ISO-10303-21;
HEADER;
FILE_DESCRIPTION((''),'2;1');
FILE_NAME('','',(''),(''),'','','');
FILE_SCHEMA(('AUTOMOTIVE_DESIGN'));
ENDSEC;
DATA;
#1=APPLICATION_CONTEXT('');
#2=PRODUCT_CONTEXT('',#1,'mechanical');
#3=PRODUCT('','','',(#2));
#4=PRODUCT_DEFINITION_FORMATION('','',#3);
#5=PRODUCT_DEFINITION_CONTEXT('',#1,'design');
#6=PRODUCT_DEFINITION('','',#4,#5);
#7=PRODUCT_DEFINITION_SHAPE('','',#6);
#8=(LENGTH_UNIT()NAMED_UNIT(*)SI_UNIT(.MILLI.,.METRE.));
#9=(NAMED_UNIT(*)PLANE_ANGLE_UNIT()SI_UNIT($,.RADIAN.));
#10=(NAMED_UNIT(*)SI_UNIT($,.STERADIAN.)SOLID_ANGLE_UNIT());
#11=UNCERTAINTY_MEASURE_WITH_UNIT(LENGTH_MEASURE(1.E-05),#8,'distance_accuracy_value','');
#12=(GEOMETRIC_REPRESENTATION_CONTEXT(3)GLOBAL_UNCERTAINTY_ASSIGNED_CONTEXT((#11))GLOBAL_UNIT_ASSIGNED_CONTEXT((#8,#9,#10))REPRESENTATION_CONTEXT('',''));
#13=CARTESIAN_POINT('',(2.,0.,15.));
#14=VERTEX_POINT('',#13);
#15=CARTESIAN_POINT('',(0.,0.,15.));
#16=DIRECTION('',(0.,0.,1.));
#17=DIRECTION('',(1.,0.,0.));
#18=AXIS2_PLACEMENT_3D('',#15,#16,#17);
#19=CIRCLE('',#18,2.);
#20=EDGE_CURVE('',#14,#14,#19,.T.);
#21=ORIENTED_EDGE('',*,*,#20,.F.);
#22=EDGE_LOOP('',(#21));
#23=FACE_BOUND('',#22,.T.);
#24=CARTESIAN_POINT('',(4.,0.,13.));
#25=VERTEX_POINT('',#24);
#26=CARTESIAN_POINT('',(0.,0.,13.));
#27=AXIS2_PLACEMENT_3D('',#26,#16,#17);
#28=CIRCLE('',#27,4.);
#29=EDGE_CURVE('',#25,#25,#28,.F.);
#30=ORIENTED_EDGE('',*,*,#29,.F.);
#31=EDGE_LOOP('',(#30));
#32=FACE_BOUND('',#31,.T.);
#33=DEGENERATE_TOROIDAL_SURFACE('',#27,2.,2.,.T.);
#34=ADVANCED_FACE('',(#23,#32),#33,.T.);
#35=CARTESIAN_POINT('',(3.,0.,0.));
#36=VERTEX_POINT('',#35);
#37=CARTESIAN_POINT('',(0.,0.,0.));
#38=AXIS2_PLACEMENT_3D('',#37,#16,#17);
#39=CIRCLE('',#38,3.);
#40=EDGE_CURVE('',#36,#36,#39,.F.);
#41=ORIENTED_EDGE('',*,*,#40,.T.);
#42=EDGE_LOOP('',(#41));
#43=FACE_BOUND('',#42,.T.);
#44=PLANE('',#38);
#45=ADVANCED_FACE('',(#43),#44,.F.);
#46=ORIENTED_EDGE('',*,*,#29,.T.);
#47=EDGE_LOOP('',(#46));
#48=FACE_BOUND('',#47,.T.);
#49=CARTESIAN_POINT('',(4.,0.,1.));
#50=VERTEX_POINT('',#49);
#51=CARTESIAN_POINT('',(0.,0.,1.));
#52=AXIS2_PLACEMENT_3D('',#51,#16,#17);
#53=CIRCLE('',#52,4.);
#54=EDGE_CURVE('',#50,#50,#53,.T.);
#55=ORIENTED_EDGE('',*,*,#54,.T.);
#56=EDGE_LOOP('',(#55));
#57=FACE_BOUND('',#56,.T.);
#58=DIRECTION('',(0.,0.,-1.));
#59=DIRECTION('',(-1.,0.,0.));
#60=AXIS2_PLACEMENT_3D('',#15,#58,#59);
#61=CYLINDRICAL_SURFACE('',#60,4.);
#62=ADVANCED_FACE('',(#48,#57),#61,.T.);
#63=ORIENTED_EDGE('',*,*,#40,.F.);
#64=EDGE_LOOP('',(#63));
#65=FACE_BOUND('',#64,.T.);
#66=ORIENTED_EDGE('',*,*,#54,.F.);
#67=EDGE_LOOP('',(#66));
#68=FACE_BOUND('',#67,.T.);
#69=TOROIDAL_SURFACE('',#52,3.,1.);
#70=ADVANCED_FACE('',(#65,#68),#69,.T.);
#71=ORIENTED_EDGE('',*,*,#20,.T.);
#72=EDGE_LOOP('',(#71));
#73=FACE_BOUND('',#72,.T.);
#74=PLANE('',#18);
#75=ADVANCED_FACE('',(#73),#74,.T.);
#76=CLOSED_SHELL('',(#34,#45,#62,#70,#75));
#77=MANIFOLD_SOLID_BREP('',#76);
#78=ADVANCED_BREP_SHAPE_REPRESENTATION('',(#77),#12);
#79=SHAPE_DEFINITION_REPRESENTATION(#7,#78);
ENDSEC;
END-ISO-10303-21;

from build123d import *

# Parameters (mm, degrees)
SKIZZE1_R                       = 4
AUFSATZ_LINEAR_AUSTRAGEN1_DEPTH = 15
VERRUNDUNG1_R                   = 2
VERRUNDUNG2_R                   = 1


with BuildPart() as part:
    # Skizze1 → Aufsatz-Linear austragen1 (new body)
    with BuildSketch(Plane.XY):
        Circle(SKIZZE1_R)
    extrude(amount=AUFSATZ_LINEAR_AUSTRAGEN1_DEPTH)

    # Verrundung1
    verrundung1_edges = [part.edges().sort_by_distance(p)[0] for p in [
        (-4, 0, 15),
    ]]
    fillet(verrundung1_edges, radius=VERRUNDUNG1_R)

    # Verrundung2
    verrundung2_edges = [part.edges().sort_by_distance(p)[0] for p in [
        (-4, 0, 0),
    ]]
    fillet(verrundung2_edges, radius=VERRUNDUNG2_R)


solid = part.part
